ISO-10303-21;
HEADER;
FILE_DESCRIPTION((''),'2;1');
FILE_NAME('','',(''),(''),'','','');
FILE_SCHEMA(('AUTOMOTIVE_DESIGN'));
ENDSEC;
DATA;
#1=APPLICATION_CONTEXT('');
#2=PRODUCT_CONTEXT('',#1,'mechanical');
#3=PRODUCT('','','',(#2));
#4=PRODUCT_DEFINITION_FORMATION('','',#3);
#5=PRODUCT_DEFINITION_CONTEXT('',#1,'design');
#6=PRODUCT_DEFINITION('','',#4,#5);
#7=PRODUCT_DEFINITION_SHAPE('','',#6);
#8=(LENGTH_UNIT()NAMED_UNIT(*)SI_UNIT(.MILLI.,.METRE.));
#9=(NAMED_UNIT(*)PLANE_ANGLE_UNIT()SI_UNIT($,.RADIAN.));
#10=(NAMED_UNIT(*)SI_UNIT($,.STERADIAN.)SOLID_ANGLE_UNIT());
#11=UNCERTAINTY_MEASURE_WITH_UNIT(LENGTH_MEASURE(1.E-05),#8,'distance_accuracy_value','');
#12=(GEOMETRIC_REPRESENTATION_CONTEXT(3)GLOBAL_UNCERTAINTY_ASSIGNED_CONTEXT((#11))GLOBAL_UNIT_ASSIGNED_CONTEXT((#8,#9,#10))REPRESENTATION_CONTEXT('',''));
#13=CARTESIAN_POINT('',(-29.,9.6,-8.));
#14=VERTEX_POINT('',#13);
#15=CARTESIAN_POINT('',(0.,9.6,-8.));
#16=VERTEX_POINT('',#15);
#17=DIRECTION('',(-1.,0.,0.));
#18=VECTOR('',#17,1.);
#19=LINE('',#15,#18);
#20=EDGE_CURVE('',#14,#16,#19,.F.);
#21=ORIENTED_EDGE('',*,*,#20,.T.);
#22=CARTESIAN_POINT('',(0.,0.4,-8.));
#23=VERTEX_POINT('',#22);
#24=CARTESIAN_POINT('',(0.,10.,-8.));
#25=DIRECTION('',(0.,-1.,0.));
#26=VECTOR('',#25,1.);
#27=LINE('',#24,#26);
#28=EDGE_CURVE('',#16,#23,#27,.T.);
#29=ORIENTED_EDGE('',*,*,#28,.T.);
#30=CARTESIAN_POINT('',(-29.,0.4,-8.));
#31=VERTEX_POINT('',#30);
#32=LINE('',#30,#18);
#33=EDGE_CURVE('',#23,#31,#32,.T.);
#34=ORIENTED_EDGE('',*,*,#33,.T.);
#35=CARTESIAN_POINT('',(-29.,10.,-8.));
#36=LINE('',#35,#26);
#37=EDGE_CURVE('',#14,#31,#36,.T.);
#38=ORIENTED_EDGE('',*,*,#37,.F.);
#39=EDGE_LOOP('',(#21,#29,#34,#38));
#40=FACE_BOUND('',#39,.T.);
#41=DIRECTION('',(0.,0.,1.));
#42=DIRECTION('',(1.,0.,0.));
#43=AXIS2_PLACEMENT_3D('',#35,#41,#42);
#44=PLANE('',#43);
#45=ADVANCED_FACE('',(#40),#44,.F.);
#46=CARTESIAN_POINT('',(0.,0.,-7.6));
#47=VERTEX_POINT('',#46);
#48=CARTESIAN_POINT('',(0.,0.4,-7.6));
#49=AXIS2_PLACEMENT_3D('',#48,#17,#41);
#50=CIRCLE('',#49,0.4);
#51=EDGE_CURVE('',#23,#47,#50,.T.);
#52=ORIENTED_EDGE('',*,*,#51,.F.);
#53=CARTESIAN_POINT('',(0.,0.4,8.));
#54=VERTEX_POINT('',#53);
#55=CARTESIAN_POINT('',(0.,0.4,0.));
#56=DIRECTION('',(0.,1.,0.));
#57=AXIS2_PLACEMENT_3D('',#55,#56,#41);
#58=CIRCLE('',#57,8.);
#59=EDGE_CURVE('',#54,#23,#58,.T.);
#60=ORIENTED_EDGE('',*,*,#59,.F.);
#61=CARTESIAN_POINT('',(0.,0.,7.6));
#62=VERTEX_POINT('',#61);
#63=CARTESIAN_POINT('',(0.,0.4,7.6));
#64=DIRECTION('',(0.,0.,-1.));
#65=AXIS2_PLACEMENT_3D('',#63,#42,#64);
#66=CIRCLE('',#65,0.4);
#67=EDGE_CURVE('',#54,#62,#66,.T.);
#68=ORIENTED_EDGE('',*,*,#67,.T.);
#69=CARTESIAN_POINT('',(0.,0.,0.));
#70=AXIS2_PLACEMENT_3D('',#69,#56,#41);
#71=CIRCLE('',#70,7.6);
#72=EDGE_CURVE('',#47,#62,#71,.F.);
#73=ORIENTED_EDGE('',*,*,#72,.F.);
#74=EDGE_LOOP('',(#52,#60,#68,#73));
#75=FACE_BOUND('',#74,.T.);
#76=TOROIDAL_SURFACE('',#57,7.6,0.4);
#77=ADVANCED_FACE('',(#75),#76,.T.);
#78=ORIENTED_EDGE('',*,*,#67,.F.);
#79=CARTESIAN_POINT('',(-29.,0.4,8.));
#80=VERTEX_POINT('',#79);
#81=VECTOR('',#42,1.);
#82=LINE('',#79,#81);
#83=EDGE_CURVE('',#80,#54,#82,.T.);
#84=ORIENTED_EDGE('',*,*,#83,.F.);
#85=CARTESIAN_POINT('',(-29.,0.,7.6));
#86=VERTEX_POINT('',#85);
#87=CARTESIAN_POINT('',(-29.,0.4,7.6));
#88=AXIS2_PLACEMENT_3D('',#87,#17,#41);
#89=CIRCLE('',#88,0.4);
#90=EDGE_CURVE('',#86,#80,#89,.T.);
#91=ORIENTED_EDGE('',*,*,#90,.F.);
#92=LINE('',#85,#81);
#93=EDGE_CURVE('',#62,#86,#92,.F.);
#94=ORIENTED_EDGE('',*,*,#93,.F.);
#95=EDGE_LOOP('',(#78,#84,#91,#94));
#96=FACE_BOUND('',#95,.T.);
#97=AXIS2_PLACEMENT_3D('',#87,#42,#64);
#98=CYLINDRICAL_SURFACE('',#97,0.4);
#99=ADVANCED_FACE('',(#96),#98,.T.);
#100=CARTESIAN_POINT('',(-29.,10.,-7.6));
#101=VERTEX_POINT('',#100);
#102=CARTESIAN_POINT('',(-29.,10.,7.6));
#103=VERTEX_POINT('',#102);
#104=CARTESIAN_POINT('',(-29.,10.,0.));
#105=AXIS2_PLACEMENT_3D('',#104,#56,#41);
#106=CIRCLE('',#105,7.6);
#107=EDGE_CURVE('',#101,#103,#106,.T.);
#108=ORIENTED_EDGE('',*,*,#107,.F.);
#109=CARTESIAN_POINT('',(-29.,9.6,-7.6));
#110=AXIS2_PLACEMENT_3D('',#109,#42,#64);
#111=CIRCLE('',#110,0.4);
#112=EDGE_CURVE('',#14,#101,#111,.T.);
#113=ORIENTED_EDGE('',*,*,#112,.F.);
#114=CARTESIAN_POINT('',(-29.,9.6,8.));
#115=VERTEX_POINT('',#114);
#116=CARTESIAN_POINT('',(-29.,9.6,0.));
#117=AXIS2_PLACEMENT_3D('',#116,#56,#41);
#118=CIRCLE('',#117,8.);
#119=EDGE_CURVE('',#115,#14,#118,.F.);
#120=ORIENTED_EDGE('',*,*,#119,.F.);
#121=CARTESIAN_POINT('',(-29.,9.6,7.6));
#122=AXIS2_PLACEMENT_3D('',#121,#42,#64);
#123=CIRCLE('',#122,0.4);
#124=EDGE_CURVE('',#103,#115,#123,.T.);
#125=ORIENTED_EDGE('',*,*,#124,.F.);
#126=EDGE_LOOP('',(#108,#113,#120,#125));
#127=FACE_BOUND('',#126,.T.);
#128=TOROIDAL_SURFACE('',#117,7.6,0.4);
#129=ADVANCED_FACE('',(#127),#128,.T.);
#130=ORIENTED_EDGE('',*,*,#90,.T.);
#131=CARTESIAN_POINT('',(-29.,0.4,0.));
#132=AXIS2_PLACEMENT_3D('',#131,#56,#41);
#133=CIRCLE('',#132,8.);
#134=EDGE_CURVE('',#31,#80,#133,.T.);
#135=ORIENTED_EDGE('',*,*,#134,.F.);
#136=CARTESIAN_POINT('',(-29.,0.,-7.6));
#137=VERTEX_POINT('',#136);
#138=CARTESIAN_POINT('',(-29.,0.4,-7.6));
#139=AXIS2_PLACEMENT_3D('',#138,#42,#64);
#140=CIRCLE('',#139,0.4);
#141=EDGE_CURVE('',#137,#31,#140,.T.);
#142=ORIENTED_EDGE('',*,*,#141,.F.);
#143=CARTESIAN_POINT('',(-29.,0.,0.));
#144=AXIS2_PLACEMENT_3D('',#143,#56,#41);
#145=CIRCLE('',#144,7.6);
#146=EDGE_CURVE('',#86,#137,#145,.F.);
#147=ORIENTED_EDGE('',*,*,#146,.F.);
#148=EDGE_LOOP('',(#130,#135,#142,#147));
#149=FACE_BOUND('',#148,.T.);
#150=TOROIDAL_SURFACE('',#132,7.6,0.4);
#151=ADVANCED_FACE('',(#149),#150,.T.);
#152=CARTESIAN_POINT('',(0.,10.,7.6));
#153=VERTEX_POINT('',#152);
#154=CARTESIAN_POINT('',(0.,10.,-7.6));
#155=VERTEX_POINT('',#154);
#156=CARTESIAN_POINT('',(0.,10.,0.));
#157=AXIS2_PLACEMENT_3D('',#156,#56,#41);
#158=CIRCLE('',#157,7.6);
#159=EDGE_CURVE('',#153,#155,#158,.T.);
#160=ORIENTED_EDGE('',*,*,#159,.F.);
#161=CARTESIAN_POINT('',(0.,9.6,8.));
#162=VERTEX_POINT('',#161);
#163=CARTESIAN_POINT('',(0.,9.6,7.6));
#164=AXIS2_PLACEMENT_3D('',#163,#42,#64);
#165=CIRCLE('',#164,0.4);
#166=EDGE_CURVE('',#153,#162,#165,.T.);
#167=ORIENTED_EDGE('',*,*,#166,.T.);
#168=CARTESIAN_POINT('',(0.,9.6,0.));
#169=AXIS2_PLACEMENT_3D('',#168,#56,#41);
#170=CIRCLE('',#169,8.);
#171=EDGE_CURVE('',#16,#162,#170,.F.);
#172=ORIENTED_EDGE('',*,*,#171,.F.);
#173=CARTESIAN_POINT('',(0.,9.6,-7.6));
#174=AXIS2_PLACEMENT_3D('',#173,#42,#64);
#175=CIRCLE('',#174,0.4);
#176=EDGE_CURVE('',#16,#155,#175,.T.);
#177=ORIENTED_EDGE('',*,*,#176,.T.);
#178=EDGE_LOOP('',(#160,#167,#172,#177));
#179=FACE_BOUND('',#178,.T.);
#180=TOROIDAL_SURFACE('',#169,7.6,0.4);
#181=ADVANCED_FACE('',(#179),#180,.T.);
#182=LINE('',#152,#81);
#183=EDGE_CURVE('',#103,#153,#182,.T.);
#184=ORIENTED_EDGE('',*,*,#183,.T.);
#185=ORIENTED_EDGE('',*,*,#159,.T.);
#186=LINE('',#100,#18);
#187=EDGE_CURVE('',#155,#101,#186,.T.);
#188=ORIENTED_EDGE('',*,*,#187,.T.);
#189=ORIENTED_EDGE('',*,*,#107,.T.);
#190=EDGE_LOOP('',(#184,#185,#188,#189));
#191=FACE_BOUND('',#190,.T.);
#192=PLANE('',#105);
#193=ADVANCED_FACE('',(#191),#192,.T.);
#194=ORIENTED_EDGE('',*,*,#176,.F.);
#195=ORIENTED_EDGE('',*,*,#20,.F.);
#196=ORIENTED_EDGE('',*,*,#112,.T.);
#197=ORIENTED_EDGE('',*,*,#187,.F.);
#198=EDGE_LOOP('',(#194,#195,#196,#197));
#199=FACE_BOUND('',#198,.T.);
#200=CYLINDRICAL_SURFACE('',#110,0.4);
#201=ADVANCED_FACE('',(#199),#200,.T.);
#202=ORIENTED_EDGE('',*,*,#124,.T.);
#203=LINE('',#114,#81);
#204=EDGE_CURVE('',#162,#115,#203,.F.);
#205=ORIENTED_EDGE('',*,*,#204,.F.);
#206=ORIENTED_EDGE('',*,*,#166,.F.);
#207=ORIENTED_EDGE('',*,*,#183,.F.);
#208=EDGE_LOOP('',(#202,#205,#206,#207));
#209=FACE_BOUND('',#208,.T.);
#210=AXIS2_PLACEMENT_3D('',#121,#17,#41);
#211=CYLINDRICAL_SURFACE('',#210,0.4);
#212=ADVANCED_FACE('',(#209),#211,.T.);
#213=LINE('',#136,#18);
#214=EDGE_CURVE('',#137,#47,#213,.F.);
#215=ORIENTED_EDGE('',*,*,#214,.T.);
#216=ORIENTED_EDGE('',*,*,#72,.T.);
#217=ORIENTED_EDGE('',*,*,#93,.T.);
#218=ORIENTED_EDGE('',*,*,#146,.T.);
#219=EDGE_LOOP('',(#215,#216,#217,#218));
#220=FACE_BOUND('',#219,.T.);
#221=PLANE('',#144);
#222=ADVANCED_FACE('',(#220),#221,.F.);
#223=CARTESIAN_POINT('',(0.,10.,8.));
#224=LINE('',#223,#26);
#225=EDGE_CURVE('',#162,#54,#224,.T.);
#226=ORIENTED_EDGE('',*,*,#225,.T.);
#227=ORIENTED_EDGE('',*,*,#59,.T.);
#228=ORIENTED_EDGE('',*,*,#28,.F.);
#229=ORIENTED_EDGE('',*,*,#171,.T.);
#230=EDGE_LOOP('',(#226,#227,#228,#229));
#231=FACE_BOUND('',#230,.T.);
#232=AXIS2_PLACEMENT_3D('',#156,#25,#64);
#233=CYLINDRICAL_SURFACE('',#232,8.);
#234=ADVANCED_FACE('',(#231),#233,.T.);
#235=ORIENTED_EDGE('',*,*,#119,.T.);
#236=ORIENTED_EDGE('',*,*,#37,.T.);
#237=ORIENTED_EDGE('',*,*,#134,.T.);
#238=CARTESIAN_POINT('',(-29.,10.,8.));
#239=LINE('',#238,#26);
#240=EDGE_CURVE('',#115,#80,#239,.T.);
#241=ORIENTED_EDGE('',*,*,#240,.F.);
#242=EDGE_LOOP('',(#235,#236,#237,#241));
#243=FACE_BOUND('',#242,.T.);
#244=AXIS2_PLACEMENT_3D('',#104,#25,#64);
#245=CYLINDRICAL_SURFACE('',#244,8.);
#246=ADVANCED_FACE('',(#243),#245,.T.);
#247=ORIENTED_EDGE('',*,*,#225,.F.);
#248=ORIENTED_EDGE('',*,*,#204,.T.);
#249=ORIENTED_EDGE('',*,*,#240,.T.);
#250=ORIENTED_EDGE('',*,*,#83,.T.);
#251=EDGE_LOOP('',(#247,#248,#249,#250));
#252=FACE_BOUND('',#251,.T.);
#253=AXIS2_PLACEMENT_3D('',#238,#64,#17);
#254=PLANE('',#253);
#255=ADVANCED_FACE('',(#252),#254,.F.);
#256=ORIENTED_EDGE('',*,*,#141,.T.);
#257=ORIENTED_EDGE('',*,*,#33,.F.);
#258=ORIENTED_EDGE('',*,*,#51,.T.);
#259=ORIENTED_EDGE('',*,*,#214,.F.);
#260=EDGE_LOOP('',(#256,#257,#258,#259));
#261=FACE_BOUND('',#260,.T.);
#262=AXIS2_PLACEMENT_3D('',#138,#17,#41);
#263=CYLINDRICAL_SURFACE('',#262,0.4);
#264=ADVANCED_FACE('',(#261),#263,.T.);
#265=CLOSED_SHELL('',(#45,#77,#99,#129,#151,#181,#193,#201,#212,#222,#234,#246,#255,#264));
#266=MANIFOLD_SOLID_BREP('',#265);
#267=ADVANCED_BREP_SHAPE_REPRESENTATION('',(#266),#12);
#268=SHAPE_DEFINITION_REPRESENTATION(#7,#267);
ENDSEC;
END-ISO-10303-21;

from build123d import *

# Parameters (mm, degrees)
EXTRUDE1_DEPTH = 10
FILLET1_R      = 0.4


with BuildPart() as part:
    # Sketch1 → Extrude1 (new body)
    with BuildSketch(Plane(origin=(0, 0, 0), x_dir=(1, 0, 0), z_dir=(0, 1, 0))):
        with BuildLine():
            Line((-29, 8), (0, 8))
            ThreePointArc((0, 8), (8, 0), (0, -8))
            Line((0, -8), (-29, -8))
            ThreePointArc((-29, -8), (-37, 0), (-29, 8))
        make_face()
    extrude(amount=EXTRUDE1_DEPTH)

    # Fillet1
    fillet1_edges = [part.edges().sort_by_distance(p)[0] for p in [
        (8, 10, 0),
        (-14.5, 10, -8),
        (-37, 10, 0),
        (-14.5, 0, -8),
        (8, 0, 0),
        (-14.5, 0, 8),
        (-37, 0, 0),
        (-14.5, 10, 8),
    ]]
    fillet(fillet1_edges, radius=FILLET1_R)


solid = part.part
